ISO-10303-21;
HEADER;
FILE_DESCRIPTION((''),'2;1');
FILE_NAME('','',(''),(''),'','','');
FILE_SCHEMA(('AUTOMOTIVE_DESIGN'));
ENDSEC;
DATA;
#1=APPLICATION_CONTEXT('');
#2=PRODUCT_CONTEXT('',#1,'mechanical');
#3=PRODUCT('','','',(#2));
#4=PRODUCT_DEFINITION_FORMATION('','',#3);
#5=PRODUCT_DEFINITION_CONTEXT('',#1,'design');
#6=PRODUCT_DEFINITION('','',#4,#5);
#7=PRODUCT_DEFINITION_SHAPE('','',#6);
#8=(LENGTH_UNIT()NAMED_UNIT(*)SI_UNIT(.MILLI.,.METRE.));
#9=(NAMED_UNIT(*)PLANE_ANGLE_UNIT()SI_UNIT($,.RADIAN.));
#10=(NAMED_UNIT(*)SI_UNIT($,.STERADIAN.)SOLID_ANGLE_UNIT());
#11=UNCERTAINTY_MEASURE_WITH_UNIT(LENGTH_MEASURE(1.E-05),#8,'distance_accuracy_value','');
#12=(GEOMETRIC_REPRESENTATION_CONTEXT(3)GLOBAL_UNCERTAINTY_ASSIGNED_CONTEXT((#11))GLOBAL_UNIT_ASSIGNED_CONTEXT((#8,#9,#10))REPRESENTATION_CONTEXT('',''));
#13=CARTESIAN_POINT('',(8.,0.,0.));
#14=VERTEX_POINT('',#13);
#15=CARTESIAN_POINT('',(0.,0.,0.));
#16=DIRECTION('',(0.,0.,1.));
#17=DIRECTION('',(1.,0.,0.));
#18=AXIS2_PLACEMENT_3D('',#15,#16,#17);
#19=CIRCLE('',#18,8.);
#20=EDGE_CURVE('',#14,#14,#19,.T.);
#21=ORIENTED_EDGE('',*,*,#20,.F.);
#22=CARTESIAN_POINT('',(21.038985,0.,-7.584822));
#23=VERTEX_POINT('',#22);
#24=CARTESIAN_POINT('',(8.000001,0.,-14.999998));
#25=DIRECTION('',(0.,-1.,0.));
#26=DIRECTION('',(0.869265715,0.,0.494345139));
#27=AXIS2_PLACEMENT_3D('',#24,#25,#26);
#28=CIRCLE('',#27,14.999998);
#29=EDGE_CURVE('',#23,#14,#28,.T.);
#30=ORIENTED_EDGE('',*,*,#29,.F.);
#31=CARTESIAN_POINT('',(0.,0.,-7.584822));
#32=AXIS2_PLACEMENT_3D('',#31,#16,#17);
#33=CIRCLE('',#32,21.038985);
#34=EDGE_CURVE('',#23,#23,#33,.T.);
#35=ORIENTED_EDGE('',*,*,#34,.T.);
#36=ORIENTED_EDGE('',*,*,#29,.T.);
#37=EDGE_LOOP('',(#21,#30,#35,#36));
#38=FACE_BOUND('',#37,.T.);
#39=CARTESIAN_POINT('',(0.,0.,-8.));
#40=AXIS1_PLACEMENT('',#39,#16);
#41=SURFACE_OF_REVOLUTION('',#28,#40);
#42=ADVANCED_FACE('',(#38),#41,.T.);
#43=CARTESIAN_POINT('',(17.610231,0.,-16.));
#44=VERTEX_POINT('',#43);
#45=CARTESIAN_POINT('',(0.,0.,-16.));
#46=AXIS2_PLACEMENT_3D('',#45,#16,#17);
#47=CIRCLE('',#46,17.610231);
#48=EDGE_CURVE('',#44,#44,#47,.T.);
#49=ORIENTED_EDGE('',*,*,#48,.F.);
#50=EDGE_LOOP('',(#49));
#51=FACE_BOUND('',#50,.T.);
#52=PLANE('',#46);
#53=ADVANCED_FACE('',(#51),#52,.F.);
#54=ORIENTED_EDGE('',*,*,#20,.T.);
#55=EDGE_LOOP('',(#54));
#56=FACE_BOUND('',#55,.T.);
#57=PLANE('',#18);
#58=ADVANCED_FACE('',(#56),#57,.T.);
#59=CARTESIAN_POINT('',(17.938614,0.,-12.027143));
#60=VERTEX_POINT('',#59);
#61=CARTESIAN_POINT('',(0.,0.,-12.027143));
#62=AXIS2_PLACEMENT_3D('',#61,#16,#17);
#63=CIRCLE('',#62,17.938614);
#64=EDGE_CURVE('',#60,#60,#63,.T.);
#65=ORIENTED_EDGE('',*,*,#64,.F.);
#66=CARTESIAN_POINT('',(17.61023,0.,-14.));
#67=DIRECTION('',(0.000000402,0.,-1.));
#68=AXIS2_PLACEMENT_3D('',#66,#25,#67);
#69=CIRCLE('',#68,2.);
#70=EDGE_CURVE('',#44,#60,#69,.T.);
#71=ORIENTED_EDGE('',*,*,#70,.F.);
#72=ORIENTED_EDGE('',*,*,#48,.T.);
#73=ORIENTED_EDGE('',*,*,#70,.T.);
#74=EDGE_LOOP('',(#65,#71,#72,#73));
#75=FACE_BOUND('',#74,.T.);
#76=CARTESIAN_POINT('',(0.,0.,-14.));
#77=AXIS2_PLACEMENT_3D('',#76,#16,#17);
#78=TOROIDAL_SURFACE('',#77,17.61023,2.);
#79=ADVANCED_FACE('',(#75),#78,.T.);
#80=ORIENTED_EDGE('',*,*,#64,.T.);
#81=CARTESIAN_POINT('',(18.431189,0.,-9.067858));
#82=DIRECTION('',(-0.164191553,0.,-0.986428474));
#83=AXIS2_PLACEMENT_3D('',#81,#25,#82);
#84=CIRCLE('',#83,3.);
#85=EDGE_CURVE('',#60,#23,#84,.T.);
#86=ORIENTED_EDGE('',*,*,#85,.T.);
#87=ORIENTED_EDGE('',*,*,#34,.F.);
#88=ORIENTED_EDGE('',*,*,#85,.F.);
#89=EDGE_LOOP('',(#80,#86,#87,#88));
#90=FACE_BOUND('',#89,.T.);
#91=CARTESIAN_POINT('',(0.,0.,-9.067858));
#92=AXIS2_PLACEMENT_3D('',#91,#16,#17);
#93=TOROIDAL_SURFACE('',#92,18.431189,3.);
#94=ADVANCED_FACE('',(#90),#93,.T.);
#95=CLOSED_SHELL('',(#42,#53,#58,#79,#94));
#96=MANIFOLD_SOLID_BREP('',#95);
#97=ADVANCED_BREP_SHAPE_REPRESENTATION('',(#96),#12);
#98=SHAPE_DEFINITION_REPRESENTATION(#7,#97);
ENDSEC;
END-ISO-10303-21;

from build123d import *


with BuildPart() as f1:
    # F0 (on Front) → F1 (revolve)
    with BuildSketch(Plane.XZ):
        with BuildLine():
            Line((8, 0), (0, 0))
            Line((0, 0), (0, -16))
            Line((0, -16), (17.610231, -16))
            ThreePointArc((17.610231, -16), (19.603433, -14.164751), (17.938614, -12.027143))
            ThreePointArc((17.938614, -12.027143), (20.891289, -10.784804), (21.038985, -7.584822))
            ThreePointArc((21.038985, -7.584822), (15.542292, -2.034128), (8, 0))
        make_face()
    revolve(axis=Axis((0, 0, -8), (0, 0, 1)))


solid = f1.part
